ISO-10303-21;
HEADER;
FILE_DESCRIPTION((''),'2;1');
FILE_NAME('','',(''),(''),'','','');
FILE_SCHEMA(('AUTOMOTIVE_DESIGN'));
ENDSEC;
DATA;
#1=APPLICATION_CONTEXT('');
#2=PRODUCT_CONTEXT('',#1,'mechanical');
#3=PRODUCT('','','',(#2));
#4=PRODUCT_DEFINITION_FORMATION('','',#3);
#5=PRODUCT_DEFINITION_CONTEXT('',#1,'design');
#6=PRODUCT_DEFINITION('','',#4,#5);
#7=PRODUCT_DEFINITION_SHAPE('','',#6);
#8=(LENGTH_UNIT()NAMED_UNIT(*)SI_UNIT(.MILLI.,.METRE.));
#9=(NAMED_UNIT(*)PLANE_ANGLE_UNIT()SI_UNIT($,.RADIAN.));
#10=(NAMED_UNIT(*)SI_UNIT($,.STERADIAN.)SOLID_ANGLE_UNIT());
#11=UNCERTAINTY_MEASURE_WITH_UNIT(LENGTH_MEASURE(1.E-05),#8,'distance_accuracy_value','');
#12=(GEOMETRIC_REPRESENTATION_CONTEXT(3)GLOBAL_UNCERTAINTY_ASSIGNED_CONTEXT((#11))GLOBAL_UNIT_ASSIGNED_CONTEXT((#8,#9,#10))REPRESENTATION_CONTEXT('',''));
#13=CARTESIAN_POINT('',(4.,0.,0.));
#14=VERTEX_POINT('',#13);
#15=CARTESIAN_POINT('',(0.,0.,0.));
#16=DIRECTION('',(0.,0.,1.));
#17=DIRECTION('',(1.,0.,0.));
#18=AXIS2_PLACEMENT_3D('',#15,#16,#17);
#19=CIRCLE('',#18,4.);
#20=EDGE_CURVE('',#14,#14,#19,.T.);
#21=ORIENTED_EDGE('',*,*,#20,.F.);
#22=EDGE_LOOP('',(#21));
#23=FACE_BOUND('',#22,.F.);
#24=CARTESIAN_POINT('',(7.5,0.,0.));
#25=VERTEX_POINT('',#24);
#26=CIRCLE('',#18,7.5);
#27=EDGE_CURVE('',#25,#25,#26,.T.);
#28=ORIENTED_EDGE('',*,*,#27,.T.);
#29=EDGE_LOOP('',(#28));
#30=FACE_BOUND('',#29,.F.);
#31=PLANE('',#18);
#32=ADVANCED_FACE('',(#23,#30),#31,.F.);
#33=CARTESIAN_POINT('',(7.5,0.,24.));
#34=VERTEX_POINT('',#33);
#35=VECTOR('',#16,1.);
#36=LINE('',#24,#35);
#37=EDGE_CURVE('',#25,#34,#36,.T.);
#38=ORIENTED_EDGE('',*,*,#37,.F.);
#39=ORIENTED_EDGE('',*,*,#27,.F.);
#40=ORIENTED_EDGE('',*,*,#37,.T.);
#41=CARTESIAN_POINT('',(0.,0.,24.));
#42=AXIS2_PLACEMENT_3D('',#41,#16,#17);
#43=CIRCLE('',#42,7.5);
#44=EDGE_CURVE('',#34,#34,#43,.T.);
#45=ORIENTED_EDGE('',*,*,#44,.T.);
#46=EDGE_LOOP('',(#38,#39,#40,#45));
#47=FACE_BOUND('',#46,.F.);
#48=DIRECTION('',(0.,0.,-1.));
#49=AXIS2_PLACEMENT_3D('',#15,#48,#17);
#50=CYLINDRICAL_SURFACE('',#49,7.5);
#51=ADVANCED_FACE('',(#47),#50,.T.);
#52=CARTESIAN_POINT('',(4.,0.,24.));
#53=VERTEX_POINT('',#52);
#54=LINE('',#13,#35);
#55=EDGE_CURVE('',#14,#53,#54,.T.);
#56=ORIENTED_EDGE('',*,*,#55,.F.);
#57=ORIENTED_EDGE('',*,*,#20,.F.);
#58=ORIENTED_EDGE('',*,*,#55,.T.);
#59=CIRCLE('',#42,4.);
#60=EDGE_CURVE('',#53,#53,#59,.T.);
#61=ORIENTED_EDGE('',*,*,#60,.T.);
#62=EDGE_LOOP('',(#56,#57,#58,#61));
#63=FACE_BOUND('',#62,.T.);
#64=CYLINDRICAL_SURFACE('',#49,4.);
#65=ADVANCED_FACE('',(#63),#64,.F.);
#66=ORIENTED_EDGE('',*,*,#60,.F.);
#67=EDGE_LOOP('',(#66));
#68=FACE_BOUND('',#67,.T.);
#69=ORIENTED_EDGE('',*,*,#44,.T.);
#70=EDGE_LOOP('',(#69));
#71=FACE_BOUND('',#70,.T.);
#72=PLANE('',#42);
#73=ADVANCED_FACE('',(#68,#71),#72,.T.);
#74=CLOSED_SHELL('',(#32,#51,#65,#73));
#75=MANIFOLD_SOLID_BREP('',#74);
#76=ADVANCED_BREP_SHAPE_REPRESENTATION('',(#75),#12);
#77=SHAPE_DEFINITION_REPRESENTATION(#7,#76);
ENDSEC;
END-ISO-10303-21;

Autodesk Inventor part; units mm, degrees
ref_plane "YZ Plane" through (0, 0, 0) normal (1, 0, 0) x (0, 1, 0)
ref_plane "XZ Plane" through (0, 0, 0) normal (0, 1, 0) x (-1, 0, 0)
ref_plane "XY Plane" through (0, 0, 0) normal (0, 0, 1) x (1, 0, 0)
sketch "Skizze1" plane through (0, 0, 0) normal (0, 0, 1) x (1, 0, 0)
  circle A0 centre (0, 0) radius 7.5
  circle A1 centre (0, 0) radius 4
  dimension "d0" = 24
extrude "Extrusion1" add sketch "Skizze1" along normal blind 24
properties part number "LM8UU_ph"
